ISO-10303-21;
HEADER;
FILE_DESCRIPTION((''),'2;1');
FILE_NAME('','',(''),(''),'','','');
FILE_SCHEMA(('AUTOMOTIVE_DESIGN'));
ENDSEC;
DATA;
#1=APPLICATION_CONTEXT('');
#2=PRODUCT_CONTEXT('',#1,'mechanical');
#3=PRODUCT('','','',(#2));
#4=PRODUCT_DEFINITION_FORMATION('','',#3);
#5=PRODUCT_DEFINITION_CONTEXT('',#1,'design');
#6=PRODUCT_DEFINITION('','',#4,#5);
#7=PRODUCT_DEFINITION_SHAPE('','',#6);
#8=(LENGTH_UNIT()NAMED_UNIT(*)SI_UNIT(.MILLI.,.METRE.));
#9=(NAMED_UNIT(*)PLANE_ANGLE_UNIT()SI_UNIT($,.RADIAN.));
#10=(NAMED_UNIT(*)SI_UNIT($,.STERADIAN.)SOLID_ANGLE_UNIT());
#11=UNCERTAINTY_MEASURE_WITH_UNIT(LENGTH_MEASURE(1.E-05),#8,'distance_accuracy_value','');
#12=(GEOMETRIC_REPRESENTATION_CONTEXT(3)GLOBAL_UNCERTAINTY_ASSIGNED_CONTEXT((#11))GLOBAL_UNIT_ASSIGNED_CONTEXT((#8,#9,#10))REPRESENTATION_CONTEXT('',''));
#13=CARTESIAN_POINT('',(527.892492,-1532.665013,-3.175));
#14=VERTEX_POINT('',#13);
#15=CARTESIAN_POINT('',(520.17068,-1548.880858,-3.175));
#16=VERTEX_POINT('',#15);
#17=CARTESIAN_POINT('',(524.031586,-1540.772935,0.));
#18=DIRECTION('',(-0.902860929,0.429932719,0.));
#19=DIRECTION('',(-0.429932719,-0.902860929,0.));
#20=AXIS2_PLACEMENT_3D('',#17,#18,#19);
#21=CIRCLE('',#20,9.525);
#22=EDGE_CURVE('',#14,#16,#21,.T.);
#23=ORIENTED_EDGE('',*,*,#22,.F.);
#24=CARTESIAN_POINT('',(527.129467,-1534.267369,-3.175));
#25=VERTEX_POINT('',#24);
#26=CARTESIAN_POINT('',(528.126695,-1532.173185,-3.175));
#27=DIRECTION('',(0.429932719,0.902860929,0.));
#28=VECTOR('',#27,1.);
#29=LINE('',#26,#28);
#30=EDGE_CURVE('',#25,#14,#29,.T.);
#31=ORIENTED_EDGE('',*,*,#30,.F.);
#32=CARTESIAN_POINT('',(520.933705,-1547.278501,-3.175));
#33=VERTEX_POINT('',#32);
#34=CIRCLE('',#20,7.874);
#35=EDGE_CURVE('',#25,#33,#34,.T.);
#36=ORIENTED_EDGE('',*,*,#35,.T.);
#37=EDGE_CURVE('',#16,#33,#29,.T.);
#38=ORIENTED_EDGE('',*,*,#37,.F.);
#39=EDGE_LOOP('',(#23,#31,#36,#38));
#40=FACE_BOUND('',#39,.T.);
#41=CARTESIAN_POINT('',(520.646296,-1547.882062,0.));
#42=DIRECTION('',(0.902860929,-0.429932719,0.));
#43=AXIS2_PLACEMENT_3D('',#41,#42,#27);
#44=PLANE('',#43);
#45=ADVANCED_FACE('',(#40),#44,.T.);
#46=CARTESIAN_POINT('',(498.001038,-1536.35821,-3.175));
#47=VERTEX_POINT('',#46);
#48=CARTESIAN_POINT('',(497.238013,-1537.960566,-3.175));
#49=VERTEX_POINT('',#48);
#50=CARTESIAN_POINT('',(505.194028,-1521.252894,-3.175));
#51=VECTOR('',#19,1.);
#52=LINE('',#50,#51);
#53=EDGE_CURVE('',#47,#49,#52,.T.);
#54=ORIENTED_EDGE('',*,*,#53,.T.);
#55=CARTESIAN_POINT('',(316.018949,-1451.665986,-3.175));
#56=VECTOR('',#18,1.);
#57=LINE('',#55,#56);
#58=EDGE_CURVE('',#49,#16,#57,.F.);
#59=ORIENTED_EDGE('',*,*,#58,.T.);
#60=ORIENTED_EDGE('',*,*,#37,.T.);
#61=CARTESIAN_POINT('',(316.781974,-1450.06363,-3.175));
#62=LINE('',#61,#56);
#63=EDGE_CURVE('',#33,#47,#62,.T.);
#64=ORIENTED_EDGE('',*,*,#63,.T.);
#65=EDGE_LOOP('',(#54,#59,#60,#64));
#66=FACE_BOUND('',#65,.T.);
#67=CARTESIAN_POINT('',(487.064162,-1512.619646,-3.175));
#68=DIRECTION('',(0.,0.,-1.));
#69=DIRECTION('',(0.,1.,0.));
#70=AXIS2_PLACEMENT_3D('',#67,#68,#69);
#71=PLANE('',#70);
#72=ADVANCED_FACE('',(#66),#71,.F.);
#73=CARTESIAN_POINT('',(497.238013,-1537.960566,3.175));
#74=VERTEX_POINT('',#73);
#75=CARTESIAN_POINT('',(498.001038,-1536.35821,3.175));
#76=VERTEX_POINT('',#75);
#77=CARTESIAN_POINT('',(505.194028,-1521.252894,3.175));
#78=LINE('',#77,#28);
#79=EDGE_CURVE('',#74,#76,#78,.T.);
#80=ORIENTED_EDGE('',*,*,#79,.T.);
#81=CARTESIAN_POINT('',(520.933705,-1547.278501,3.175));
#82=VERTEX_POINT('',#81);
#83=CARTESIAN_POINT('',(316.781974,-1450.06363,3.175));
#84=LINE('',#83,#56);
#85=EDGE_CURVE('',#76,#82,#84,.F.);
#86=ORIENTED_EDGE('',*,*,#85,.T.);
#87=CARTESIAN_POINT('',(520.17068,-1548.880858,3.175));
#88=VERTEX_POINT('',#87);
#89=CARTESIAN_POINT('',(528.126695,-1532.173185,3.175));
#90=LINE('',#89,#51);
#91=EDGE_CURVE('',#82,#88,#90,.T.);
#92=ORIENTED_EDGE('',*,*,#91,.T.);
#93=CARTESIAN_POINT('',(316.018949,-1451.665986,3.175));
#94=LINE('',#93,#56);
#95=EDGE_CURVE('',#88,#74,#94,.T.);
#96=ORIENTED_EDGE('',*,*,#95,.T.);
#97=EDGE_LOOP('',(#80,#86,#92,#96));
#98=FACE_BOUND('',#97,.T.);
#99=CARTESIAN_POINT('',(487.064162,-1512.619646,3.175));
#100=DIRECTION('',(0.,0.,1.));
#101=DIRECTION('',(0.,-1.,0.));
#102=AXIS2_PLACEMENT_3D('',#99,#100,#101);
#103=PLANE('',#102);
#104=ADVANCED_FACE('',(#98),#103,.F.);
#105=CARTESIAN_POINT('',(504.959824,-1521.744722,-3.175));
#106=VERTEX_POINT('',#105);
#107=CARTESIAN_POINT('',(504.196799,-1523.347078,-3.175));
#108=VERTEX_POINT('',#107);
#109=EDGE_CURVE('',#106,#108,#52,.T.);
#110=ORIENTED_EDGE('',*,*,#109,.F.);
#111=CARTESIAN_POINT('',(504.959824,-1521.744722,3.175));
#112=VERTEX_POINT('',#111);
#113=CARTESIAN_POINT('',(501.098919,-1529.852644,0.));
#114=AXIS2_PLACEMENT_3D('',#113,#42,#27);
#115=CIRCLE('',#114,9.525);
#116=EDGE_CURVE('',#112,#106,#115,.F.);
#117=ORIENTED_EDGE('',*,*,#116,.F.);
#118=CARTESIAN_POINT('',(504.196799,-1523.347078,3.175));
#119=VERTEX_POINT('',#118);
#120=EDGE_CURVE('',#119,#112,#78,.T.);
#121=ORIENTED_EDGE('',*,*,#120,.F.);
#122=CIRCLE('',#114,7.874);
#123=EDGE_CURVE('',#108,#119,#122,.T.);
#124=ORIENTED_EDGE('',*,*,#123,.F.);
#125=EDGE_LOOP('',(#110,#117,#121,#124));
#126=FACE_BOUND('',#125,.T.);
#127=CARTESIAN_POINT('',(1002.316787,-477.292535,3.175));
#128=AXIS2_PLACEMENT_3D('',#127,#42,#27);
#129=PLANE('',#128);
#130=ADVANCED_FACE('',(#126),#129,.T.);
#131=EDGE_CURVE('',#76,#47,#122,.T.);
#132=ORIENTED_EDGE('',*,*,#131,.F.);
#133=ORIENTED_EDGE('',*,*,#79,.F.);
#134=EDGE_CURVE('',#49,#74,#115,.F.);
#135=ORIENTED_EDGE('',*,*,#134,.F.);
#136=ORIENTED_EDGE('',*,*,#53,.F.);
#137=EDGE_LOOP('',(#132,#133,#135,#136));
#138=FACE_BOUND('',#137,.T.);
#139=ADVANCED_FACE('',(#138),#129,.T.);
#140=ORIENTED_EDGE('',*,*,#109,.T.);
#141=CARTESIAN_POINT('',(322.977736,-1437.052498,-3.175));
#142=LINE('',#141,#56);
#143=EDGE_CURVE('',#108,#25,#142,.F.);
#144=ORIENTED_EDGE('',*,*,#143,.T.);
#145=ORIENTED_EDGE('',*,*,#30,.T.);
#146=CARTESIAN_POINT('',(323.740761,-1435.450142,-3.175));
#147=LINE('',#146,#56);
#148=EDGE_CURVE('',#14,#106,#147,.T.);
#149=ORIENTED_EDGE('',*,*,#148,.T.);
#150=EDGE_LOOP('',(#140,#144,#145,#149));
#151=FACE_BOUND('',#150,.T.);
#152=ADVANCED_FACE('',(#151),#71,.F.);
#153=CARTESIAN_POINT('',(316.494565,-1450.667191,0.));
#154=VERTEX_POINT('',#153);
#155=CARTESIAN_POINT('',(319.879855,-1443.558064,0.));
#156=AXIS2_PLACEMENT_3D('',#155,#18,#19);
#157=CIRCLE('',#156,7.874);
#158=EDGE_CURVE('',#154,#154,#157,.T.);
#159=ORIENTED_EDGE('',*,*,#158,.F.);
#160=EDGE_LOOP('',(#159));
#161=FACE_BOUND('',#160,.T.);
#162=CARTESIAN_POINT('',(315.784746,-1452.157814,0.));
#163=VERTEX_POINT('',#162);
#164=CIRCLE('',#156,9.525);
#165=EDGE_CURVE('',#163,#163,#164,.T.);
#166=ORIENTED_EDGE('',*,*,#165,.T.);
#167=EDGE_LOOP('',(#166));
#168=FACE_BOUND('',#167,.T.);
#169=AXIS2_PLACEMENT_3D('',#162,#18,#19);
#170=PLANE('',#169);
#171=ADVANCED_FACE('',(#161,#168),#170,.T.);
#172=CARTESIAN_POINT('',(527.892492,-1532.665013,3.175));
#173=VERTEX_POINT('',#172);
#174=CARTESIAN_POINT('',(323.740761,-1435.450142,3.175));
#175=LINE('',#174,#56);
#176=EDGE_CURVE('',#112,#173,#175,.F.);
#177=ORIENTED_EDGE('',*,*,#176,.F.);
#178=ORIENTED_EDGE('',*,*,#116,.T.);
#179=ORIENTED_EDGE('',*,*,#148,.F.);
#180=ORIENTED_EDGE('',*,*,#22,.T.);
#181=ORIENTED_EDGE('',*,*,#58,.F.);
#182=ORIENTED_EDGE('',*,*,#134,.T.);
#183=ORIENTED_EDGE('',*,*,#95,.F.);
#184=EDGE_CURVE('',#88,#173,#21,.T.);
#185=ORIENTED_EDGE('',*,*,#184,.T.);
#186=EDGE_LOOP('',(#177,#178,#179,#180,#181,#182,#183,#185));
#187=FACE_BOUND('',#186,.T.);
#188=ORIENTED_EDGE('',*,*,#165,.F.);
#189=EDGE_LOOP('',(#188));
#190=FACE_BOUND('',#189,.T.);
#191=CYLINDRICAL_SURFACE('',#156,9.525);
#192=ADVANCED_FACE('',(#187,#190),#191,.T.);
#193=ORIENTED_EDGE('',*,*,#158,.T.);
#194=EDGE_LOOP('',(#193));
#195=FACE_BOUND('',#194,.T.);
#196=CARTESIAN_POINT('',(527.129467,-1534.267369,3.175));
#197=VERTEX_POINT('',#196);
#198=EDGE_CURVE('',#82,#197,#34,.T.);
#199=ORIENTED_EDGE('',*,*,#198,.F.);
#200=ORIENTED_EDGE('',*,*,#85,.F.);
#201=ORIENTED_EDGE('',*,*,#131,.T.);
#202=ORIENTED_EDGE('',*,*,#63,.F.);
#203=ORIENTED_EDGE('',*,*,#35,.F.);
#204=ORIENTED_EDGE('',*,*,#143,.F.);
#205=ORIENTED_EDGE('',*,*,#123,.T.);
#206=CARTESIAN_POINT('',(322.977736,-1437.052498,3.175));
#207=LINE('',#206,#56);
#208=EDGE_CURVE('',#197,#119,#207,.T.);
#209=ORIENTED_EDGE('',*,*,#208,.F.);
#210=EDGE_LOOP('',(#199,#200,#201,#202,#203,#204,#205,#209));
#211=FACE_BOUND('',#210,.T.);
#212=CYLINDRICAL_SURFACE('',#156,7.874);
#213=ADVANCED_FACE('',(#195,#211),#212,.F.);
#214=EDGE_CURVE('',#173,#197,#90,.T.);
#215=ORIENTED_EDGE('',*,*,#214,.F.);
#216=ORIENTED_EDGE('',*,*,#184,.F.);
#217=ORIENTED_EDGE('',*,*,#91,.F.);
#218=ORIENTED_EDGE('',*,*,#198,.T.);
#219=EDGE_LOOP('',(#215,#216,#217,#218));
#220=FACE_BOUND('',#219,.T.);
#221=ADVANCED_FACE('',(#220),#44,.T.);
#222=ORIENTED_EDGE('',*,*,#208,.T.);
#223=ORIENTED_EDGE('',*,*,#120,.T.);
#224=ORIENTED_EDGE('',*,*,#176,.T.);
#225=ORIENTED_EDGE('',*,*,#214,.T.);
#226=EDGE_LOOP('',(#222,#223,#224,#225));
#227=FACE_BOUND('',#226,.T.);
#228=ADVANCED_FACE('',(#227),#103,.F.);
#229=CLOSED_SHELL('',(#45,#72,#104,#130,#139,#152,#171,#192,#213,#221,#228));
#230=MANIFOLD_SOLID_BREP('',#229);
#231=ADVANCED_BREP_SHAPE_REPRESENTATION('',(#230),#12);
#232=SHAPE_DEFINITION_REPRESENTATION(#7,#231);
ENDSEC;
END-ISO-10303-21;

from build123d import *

# Parameters (mm, degrees)
CUT_EXTRUDE1_START = -25.4
SKETCH2_W          = 6.35
SKETCH2_H          = 19.05
CUT_EXTRUDE1_DEPTH = 25.4


with BuildPart() as part:
    # Sketch1 → Revolve1 (revolve)
    with BuildSketch(Plane.XY):
        Polygon((520.646295907, -1547.882062127), (519.936476988, -1549.372685521), (315.784745775, -1452.157814294), (316.494564694, -1450.6671909), align=None)
    revolve(axis=Axis((319.879854926, -1443.558063946, 0), (0.902860929, -0.429932719, 0)))

    # Sketch2 → Cut-Extrude1 (cut)
    with BuildSketch(Plane(origin=(1025.2494541, -488.212826138, 0), x_dir=(0, 0, -1), z_dir=(0.902860929, -0.429932719, 0)).offset(CUT_EXTRUDE1_START)):
        with Locations((0, -1165.805358667)):
            Rectangle(SKETCH2_W, SKETCH2_H)
    extrude(amount=CUT_EXTRUDE1_DEPTH, mode=Mode.SUBTRACT)


solid = part.part
